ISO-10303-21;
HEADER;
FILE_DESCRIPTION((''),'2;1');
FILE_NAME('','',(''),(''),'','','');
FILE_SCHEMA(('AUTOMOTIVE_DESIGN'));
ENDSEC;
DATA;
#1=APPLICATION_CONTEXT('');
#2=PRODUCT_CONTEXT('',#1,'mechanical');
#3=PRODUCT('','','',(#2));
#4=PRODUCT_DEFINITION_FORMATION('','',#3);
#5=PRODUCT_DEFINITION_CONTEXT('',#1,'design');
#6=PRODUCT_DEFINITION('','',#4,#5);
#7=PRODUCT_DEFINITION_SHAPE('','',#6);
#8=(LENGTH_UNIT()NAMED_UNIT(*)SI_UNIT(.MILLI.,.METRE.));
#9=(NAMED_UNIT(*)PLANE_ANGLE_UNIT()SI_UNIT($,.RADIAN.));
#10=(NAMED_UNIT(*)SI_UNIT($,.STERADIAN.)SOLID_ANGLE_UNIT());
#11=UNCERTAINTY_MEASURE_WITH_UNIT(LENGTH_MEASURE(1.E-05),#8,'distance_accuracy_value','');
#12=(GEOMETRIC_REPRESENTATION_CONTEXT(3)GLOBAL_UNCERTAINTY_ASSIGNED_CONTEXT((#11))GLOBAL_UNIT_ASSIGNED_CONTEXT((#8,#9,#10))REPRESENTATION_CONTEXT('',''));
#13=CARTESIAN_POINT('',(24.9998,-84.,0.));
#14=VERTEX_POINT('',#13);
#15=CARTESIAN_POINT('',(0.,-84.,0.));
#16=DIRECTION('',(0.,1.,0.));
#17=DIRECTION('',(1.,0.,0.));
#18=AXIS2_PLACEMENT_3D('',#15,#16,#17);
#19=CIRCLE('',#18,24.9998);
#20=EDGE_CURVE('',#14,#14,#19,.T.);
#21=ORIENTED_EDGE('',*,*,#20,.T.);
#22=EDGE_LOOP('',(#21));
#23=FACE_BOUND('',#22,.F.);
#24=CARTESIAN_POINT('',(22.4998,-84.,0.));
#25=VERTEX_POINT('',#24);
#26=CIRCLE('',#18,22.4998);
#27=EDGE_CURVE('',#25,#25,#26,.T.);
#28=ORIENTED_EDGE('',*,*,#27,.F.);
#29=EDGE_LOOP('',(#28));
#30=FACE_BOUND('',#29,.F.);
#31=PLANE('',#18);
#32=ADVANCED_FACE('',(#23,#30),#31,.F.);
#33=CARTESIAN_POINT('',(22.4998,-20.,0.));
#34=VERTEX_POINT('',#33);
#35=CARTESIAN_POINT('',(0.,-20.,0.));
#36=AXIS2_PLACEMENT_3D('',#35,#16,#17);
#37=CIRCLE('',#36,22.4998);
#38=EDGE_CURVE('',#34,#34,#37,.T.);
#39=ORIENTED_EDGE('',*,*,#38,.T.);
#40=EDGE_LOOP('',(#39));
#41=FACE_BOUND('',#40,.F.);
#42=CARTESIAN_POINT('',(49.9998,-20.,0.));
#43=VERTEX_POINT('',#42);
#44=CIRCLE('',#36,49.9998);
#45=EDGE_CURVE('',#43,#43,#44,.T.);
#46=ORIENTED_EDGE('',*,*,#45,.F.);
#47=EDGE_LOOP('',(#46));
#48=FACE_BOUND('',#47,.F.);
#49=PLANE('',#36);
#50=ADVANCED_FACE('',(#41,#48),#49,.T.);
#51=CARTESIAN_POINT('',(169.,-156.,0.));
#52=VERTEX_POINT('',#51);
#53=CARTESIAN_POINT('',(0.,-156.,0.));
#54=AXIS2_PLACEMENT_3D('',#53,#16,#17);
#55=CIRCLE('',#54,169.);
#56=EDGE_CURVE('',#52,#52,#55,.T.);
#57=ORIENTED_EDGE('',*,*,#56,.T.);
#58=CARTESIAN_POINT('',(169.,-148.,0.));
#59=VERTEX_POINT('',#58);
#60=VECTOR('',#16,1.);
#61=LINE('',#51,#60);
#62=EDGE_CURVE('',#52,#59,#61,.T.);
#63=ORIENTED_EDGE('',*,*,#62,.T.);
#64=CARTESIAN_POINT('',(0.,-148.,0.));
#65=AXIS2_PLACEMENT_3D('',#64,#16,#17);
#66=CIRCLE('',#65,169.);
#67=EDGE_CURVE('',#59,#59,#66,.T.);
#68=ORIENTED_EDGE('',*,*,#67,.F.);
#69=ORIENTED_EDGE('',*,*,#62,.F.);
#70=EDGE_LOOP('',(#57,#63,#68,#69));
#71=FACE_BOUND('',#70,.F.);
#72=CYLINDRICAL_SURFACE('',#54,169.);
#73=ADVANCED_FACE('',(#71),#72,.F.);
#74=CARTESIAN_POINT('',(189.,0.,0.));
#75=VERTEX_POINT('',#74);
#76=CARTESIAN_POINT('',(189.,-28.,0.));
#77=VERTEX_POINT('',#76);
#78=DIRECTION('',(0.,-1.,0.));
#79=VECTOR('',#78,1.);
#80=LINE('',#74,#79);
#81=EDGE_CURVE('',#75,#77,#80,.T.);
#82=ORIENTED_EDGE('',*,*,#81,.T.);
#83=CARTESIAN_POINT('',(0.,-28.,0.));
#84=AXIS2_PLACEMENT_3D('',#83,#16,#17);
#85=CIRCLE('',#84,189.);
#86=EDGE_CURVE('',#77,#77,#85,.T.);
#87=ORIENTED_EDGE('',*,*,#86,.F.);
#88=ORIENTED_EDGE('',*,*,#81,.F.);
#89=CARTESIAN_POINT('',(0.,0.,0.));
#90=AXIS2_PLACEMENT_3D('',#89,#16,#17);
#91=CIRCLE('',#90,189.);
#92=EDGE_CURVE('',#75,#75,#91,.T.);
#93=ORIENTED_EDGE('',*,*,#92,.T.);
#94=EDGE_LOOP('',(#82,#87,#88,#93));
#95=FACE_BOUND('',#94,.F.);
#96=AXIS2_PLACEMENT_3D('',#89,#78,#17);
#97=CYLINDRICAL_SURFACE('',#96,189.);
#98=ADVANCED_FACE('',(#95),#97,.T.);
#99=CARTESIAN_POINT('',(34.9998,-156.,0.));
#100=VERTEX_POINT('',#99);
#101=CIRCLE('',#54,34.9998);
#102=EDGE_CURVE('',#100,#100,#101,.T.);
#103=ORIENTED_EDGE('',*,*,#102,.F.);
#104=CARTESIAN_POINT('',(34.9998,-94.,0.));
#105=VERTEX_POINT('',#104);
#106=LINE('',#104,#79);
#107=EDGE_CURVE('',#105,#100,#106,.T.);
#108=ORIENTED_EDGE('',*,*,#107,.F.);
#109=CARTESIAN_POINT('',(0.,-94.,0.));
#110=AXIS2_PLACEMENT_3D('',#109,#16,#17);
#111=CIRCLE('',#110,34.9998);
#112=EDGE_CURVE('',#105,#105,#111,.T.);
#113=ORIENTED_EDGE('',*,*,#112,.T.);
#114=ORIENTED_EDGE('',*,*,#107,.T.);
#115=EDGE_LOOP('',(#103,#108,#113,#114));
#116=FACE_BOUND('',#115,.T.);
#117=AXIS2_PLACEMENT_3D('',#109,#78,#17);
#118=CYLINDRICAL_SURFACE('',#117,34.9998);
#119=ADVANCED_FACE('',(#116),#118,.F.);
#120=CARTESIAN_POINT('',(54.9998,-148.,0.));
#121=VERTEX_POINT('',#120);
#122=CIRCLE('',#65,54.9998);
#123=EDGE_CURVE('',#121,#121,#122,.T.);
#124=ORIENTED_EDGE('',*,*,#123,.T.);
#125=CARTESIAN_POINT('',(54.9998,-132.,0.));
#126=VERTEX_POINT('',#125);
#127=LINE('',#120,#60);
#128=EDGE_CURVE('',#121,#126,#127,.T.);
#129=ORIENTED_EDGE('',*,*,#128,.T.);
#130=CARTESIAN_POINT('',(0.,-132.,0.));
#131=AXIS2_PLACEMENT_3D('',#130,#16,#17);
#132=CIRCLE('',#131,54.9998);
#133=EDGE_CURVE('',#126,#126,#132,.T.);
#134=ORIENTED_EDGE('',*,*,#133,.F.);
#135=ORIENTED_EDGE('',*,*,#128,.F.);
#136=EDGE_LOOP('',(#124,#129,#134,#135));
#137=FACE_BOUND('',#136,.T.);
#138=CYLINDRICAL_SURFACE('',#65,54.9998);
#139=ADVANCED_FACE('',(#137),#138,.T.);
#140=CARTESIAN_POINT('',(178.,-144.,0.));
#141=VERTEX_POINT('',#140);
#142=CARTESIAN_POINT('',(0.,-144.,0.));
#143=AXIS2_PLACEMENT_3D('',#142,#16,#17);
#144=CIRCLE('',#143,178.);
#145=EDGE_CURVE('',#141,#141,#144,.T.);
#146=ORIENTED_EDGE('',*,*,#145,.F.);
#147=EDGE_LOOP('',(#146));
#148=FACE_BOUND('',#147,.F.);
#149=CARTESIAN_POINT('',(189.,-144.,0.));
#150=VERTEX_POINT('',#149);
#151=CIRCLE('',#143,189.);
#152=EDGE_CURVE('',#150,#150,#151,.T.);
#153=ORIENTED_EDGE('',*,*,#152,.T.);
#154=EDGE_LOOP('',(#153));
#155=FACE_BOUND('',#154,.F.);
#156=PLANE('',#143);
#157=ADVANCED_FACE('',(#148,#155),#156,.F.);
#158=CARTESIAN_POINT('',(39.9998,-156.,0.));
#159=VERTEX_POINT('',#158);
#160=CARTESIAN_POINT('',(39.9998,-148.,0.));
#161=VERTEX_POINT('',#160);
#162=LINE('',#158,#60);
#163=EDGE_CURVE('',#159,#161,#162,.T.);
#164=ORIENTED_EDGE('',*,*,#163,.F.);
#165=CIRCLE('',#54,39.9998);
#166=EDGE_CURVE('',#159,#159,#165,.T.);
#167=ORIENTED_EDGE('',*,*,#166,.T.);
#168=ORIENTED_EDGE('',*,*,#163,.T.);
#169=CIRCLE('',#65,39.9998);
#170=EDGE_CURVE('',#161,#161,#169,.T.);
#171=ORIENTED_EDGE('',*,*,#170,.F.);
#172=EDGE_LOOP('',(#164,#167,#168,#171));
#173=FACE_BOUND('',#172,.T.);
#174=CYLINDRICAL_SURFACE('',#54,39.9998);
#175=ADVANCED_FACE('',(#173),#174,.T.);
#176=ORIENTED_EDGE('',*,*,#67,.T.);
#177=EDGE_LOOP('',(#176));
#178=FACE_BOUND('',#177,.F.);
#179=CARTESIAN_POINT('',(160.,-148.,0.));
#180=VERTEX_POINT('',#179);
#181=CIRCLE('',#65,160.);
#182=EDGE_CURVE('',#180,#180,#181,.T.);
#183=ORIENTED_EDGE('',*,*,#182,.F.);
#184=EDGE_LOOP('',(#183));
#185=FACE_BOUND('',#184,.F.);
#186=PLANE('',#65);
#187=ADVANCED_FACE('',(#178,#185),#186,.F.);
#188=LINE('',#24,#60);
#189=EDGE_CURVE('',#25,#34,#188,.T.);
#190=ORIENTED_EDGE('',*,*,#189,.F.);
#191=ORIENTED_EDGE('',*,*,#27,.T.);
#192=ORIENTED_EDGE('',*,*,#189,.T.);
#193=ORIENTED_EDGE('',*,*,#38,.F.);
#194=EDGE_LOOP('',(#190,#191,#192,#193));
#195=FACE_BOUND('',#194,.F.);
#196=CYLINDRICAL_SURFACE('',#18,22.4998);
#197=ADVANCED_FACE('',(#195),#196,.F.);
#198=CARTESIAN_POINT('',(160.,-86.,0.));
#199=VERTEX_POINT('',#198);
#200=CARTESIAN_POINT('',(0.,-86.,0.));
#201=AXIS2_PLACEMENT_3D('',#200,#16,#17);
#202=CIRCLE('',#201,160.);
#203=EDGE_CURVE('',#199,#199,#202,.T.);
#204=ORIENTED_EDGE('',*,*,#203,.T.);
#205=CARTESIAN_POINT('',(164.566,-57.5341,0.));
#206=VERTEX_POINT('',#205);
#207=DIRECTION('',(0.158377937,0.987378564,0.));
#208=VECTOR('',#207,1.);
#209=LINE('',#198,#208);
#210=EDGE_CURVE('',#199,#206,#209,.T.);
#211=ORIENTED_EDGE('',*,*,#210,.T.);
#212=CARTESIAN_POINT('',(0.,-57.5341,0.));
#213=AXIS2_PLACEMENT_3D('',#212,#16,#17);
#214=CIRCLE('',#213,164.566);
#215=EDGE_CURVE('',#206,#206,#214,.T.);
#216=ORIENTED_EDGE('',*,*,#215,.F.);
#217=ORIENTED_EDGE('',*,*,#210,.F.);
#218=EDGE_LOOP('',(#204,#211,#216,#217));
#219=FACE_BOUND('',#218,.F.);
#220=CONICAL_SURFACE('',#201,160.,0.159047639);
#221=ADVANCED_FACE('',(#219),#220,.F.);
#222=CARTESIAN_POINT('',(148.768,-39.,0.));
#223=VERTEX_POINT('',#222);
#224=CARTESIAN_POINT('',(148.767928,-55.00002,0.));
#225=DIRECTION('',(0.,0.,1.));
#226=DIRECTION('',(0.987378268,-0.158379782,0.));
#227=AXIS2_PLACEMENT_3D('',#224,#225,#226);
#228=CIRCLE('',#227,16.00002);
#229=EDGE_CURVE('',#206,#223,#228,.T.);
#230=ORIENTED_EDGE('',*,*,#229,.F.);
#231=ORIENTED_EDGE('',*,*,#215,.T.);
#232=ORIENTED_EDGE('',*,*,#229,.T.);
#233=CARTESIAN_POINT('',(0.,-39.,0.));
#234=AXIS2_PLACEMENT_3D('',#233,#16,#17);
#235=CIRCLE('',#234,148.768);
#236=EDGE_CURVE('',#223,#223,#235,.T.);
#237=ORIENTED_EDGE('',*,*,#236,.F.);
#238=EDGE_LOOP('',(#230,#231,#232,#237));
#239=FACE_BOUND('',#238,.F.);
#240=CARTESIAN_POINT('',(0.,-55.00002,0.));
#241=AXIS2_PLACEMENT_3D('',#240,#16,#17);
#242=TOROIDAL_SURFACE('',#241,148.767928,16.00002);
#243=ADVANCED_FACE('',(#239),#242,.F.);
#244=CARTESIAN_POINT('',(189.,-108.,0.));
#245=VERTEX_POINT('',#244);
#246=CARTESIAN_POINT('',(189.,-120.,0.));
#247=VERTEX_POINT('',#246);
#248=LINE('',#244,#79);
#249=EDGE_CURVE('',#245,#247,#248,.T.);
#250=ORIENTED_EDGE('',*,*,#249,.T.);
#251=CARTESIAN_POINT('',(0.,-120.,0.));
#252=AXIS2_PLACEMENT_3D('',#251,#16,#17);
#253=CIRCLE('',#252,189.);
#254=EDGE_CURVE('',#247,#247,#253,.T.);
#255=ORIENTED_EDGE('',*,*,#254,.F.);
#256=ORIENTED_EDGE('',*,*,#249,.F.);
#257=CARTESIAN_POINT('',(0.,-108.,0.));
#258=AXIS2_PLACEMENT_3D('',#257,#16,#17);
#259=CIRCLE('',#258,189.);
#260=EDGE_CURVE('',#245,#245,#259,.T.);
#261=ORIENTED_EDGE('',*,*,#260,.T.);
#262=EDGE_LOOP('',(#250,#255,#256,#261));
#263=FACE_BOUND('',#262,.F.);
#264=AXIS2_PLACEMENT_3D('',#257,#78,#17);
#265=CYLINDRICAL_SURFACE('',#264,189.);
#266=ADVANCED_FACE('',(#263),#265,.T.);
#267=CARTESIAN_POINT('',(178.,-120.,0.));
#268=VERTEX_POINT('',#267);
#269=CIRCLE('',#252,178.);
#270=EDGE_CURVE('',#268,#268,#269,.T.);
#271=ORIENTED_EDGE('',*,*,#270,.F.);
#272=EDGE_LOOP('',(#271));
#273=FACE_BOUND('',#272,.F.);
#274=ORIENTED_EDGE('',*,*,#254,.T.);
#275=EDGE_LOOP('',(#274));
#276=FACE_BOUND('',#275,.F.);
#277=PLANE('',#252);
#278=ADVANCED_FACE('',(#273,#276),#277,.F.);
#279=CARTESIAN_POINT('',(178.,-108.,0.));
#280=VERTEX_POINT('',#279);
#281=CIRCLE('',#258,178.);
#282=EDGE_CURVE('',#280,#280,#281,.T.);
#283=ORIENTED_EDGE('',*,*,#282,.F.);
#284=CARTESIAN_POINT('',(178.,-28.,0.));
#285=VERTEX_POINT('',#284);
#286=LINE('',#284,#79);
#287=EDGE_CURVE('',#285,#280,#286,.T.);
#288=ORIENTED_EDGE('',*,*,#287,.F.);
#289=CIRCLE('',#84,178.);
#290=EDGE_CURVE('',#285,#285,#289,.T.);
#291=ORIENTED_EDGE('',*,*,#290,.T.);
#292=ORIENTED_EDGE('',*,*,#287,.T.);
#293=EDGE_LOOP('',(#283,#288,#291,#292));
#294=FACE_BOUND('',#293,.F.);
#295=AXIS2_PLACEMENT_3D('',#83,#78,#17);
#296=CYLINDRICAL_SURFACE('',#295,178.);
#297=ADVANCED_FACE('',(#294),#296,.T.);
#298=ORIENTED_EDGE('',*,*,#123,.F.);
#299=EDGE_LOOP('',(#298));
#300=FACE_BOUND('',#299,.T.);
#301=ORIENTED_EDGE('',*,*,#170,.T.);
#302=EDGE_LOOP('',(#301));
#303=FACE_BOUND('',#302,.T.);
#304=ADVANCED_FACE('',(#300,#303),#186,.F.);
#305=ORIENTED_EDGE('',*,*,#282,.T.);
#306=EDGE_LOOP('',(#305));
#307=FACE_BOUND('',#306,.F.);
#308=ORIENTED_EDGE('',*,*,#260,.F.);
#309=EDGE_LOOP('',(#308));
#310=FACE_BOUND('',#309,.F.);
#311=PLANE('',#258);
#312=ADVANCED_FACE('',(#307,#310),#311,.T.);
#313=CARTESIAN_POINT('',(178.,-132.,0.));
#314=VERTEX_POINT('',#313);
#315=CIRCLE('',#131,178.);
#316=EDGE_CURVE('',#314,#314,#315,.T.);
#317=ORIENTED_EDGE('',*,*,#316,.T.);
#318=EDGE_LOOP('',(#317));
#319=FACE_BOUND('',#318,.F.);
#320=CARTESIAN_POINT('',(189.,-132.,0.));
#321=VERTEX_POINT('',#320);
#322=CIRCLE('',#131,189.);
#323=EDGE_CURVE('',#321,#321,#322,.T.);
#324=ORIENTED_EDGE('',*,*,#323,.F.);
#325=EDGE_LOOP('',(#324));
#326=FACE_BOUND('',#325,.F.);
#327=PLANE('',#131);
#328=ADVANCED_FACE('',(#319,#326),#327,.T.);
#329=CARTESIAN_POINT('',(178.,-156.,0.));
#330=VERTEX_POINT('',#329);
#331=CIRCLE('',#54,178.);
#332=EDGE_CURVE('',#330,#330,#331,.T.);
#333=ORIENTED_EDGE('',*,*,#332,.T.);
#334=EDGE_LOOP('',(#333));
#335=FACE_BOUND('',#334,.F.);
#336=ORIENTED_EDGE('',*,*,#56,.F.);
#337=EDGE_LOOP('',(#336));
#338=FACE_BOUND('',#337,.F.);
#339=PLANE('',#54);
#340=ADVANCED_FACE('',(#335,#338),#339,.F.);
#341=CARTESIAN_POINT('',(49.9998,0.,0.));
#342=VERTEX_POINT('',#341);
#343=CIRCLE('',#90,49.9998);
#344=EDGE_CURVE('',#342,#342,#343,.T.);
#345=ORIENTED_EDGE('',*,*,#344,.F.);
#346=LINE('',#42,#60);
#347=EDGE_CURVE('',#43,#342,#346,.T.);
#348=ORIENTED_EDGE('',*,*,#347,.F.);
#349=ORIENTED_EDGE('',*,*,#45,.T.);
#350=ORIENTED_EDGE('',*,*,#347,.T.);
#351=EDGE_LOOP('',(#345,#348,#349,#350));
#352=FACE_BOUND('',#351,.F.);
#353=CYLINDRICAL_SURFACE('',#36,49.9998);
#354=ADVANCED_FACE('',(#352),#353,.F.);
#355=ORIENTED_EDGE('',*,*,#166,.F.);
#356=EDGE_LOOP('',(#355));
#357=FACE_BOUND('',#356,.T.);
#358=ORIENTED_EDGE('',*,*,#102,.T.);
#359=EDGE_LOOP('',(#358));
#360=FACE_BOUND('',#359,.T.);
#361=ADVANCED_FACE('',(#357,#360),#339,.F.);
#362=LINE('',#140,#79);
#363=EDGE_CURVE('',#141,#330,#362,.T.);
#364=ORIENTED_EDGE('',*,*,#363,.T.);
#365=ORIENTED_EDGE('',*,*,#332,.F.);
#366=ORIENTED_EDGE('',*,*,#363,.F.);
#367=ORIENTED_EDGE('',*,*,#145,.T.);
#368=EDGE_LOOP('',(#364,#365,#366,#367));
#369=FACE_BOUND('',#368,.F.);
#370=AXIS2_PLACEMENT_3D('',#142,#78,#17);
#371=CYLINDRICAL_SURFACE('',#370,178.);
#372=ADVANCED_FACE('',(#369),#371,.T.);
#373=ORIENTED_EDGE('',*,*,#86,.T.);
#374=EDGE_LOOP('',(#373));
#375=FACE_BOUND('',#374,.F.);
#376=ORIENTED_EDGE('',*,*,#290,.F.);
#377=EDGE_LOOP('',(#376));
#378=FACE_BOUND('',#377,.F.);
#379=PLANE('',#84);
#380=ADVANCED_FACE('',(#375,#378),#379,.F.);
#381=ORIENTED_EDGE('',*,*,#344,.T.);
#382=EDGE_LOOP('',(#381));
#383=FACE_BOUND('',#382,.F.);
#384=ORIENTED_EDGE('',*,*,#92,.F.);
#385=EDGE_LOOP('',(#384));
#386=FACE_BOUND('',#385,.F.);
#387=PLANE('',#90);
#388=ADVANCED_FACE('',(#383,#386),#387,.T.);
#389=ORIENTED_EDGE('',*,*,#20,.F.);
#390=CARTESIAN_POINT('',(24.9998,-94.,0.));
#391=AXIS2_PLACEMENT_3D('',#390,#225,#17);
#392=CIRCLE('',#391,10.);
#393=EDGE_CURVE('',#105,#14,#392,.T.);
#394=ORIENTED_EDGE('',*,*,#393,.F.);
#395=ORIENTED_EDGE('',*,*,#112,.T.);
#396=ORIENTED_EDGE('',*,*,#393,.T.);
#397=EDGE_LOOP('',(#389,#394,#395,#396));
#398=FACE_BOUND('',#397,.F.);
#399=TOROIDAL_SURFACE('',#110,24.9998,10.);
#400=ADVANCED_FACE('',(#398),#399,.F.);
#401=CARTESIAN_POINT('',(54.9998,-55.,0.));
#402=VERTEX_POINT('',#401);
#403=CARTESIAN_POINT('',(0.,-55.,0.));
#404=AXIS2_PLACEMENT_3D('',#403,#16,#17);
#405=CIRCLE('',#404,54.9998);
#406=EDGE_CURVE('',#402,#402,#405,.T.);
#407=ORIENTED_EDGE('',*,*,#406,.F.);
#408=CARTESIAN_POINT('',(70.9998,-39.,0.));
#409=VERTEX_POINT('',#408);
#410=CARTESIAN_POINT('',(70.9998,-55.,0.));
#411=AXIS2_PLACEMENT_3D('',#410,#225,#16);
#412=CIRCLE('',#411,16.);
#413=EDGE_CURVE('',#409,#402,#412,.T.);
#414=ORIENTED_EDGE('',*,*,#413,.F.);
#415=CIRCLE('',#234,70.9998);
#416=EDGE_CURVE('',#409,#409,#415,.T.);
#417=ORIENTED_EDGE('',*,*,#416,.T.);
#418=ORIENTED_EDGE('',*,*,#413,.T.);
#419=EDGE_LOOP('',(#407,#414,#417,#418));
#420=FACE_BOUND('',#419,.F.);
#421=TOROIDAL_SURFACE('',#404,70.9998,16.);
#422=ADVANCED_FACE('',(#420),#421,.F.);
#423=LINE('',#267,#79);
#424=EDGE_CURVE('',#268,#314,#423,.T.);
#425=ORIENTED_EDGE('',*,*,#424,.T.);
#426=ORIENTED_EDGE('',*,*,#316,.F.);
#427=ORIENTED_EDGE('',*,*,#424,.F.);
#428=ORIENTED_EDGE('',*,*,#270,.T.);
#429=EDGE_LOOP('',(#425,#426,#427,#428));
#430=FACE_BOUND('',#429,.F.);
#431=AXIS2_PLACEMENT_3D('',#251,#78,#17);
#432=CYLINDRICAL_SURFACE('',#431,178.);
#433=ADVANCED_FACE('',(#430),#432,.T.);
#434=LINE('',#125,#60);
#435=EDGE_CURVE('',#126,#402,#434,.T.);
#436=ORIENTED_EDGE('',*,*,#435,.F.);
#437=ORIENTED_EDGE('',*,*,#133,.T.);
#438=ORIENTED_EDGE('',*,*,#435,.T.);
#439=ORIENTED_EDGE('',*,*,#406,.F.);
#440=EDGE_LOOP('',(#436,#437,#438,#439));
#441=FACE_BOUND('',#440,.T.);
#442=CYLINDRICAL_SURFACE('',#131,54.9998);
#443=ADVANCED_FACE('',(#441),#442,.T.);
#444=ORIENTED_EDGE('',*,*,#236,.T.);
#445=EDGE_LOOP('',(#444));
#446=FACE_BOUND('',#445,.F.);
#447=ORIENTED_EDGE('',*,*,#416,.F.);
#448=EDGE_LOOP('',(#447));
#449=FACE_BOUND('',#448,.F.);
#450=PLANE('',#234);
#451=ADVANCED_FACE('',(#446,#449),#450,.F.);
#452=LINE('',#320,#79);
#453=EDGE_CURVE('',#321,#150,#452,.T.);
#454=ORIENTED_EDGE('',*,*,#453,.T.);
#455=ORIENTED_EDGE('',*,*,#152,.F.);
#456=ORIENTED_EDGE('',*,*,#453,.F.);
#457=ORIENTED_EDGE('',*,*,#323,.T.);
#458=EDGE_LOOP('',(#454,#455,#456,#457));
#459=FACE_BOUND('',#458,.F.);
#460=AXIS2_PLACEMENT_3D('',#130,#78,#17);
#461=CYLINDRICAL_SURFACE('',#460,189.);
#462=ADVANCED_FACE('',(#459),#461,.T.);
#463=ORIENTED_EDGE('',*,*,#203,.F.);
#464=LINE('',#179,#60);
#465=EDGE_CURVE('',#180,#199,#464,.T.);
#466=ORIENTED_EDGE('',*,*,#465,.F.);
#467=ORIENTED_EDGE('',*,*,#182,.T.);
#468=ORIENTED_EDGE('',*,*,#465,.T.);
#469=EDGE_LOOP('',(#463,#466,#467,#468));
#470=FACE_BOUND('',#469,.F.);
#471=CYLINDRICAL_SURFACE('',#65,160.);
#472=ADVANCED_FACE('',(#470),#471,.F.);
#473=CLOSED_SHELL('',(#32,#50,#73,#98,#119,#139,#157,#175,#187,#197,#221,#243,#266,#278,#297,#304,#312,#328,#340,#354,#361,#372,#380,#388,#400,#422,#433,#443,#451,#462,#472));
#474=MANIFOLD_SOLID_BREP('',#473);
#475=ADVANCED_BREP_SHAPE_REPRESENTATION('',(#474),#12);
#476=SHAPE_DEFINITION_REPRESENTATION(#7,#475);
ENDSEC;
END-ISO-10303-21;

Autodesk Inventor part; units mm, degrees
ref_plane "YZ Plane" through (0, 0, 0) normal (1, 0, 0) x (0, 1, 0)
ref_plane "XZ Plane" through (0, 0, 0) normal (0, 1, 0) x (-1, 0, 0)
ref_plane "XY Plane" through (0, 0, 0) normal (0, 0, 1) x (1, 0, 0)
sketch "Эскиз1" plane through (0, 0, 0) normal (0, 0, 1) x (1, 0, 0)
  line L0 (49.9998, 0) -> (189, 0)
  line L1 (148.768, -39) -> (70.9998, -39)
  line L2 (49.9998, -20) -> (49.9998, 0)
  arc A0 (70.9998, -39) -> (54.9998, -55) centre (70.9998, -55) ccw
  arc A1 (34.9998, -94) -> (24.9998, -84) centre (24.9998, -94) ccw
  line L3 (0, 0) -> (0, 25.6698)
  line L4 (54.9998, -132) -> (54.9998, -55)
  line L5 (189, 0) -> (189, -28)
  line L6 (189, -28) -> (178, -28)
  line L7 (178, -28) -> (178, -108)
  line L8 (178, -108) -> (189, -108)
  line L9 (189, -108) -> (189, -120)
  line L10 (189, -120) -> (178, -120)
  line L11 (178, -120) -> (178, -132)
  line L12 (178, -132) -> (189, -132)
  line L13 (189, -132) -> (189, -144)
  line L14 (189, -144) -> (178, -144)
  line L15 (178, -144) -> (178, -156)
  line L16 (24.9998, -84) -> (22.4998, -84)
  line L17 (22.4998, -84) -> (22.4998, -20)
  line L18 (22.4998, -20) -> (49.9998, -20)
  line L19 (34.9998, -94) -> (34.9998, -156)
  line L20 (34.9998, -156) -> (39.9998, -156)
  line L21 (39.9998, -156) -> (39.9998, -148)
  line L22 (39.9998, -148) -> (54.9998, -148)
  line L23 (54.9998, -148) -> (54.9998, -132)
  line L24 (178, -156) -> (169, -156)
  line L25 (169, -156) -> (169, -148)
  line L26 (169, -148) -> (160, -148)
  line L27 (160, -148) -> (160, -86)
  line L28 (160, -86) -> (164.566, -57.5341)
  arc A2 (164.566, -57.5341) -> (148.768, -39) centre (148.768, -55) ccw
  point P0 (154.5118, -39)
  point P1 (54.9998, -39)
  point P2 (34.9998, -84)
  point P3 (137.0508, -39)
  dimension "d0" = 189
  dimension "d5" = 99.512
  dimension "d9" = 16
  dimension "d11" = 10
  dimension "d29" = 20
  dimension "d30" = 28
  dimension "d31" = 11
  dimension "d32" = 80
  dimension "d34" = 12
  dimension "d35" = 11
  dimension "d36" = 12
  dimension "d37" = 11
  dimension "d38" = 12
  dimension "d39" = 11
  dimension "d40" = 12
  dimension "d43" = 2.5
  dimension "d44" = 64
  dimension "d45" = 15
  dimension "d46" = 8
  dimension "d47" = 5
  dimension "d50" = 9
  dimension "d51" = 9
  dimension "d52" = 16
revolve "Вращение1" add sketch "Эскиз1" angle 360 about axis through (0, 0, 0) along (0, 1, 0)
properties part number "Нижняя часть поршня_CPY" material "Чугун, серый"
